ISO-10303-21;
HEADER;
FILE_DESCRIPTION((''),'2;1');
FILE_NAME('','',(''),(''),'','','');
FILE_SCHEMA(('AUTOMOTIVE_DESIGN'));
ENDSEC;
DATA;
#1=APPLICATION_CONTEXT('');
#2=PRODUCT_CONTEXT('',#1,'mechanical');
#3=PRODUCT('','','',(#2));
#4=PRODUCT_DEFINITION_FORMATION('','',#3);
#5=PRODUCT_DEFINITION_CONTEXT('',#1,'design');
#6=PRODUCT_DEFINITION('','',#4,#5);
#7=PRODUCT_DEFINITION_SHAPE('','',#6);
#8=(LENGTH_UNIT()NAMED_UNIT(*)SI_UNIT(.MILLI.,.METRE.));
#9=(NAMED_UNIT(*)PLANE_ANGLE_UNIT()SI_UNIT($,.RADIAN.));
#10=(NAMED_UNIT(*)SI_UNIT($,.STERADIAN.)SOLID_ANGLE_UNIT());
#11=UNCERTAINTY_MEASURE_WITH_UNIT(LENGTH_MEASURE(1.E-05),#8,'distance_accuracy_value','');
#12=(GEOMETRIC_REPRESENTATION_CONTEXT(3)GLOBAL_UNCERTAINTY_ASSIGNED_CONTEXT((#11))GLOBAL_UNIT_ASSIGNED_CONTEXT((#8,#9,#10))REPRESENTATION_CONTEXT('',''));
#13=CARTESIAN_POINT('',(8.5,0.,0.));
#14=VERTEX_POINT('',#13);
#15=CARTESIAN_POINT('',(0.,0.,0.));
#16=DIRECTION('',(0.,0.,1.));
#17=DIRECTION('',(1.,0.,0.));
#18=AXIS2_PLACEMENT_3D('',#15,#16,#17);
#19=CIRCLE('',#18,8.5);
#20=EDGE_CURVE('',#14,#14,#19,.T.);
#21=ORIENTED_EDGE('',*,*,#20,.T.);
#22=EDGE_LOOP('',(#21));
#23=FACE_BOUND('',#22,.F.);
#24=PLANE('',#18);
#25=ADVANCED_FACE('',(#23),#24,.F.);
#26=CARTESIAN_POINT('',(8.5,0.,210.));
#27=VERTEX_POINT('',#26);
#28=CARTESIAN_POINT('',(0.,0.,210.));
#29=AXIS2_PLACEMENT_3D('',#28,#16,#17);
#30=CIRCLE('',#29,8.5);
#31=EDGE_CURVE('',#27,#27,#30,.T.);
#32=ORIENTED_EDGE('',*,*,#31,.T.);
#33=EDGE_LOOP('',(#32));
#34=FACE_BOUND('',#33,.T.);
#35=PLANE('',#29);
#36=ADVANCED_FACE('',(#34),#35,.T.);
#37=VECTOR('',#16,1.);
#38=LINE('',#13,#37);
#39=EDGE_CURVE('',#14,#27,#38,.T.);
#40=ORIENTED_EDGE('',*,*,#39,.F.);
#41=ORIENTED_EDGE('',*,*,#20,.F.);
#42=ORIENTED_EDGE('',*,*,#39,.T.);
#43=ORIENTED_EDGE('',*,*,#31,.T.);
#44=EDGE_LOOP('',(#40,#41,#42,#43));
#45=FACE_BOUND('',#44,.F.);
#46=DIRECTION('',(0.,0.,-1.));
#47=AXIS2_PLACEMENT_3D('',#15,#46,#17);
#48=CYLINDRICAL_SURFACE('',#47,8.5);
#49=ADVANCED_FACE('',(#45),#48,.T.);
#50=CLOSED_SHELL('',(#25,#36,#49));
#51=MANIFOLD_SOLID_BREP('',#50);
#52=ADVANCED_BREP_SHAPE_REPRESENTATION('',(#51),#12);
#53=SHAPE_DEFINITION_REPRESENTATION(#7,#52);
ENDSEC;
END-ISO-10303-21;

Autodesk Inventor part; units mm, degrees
ref_plane "YZ Plane" through (0, 0, 0) normal (1, 0, 0) x (0, 1, 0)
ref_plane "XZ Plane" through (0, 0, 0) normal (0, 1, 0) x (-1, 0, 0)
ref_plane "XY Plane" through (0, 0, 0) normal (0, 0, 1) x (1, 0, 0)
sketch "Sketch1" plane through (0, 0, 0) normal (0, 0, 1) x (1, 0, 0)
  circle A0 centre (0, 0) radius 8.5
  dimension "d0" = 17
extrude "Extrusion1" add sketch "Sketch1" along normal blind 210
properties part number "1217_17mm Shaft_V1" material "Stainless Steel"
